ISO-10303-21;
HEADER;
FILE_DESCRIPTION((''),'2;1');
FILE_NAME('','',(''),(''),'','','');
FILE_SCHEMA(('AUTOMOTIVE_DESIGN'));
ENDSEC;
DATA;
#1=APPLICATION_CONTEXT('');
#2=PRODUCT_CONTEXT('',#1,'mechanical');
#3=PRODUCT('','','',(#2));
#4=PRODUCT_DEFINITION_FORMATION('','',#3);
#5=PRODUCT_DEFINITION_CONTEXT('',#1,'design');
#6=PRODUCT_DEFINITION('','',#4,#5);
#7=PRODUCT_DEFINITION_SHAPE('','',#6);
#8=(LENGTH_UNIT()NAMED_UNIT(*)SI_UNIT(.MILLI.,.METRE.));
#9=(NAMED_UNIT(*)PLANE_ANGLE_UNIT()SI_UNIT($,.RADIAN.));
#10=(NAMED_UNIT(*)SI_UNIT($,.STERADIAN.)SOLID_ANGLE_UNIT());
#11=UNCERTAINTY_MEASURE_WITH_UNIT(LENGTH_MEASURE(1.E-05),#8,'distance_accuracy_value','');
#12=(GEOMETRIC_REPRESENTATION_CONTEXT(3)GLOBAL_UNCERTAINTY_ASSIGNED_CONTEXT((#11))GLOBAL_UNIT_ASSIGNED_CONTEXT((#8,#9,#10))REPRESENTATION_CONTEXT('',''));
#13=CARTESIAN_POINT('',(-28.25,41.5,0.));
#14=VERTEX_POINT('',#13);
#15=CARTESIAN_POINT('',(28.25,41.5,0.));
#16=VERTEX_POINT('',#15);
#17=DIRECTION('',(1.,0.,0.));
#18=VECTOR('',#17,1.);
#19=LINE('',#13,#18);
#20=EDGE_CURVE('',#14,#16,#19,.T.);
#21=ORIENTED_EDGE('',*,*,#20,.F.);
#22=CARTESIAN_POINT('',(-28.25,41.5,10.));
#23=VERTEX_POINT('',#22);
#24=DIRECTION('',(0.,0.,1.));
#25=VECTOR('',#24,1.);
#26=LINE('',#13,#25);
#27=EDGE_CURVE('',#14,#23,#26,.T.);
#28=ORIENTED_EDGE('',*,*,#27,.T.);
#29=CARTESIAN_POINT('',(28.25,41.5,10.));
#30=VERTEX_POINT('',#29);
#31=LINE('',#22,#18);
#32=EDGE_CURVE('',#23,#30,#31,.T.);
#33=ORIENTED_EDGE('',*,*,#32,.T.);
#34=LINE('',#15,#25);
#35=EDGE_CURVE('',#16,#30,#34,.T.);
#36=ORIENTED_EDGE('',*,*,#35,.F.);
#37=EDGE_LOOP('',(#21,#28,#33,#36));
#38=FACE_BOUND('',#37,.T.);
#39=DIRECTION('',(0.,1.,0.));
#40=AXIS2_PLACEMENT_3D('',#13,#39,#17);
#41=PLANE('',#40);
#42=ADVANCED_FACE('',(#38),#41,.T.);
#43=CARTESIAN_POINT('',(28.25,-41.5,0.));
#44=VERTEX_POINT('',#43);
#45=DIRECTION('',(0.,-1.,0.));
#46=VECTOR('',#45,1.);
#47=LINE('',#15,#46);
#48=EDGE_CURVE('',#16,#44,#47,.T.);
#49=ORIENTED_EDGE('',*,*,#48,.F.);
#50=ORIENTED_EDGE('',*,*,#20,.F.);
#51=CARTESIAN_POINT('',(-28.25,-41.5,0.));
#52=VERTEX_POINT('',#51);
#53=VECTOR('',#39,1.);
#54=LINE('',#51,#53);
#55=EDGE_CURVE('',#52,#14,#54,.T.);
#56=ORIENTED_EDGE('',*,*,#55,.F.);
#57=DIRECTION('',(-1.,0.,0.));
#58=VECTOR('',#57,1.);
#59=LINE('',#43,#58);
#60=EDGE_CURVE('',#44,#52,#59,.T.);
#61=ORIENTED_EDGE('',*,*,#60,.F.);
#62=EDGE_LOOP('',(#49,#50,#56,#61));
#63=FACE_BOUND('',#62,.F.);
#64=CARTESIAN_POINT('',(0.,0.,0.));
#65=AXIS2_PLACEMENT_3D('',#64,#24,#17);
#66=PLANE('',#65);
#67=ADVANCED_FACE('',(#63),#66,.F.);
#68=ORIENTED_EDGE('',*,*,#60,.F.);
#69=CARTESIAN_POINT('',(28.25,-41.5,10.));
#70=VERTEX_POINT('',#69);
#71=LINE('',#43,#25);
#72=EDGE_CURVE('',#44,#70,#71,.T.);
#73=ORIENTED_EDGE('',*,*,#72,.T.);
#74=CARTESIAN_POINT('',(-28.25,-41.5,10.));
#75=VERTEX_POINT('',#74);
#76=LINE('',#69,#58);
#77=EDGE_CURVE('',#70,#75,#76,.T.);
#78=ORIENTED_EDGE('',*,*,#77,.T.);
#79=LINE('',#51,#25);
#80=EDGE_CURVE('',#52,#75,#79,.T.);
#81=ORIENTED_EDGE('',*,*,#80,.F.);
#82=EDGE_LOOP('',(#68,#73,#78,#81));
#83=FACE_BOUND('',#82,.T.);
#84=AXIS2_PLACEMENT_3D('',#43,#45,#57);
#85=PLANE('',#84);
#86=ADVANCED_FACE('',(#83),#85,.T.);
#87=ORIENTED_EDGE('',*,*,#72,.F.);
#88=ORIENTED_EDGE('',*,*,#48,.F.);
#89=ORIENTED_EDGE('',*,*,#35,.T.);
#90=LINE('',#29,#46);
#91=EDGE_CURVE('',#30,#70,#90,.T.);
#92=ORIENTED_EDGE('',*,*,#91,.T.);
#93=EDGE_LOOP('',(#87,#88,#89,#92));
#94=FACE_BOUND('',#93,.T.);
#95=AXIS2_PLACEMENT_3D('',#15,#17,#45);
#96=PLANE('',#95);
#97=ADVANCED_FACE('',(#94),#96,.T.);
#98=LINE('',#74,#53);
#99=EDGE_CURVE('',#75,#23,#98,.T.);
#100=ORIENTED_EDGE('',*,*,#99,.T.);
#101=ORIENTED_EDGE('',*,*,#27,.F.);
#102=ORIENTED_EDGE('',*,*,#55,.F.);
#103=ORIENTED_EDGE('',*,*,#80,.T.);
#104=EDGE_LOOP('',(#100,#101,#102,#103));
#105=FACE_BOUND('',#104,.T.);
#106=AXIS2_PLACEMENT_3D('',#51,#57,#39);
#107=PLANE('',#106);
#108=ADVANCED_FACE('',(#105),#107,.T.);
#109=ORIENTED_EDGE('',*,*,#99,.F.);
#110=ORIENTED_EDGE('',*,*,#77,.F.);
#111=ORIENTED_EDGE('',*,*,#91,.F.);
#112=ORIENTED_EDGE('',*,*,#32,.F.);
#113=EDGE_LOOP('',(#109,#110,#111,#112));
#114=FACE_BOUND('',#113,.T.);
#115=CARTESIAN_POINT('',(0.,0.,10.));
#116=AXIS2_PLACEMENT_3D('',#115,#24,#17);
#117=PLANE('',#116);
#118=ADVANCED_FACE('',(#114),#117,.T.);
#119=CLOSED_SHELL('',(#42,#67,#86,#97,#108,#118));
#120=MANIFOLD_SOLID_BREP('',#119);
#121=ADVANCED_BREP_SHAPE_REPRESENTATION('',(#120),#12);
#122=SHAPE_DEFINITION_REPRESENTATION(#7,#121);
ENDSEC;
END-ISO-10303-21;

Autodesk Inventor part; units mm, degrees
ref_plane "YZ Plane" through (0, 0, 0) normal (1, 0, 0) x (0, 1, 0)
ref_plane "XZ Plane" through (0, 0, 0) normal (0, 1, 0) x (-1, 0, 0)
ref_plane "XY Plane" through (0, 0, 0) normal (0, 0, 1) x (1, 0, 0)
sketch "Sketch1" plane through (0, 0, 0) normal (0, 0, 1) x (1, 0, 0)
  line L0 (-28.25, 41.5) -> (28.25, 41.5)
  line L1 (28.25, 41.5) -> (28.25, -41.5)
  line L2 (28.25, -41.5) -> (-28.25, -41.5)
  line L3 (-28.25, -41.5) -> (-28.25, 41.5)
  point P0 (0, 0)
  point P1 (28.25, 0)
  point P2 (0, 41.5)
  dimension "d0" = 83
  dimension "d1" = 56.5
extrude "Extrusion1" add sketch "Sketch1" along normal blind 10
properties part number "plocica"
